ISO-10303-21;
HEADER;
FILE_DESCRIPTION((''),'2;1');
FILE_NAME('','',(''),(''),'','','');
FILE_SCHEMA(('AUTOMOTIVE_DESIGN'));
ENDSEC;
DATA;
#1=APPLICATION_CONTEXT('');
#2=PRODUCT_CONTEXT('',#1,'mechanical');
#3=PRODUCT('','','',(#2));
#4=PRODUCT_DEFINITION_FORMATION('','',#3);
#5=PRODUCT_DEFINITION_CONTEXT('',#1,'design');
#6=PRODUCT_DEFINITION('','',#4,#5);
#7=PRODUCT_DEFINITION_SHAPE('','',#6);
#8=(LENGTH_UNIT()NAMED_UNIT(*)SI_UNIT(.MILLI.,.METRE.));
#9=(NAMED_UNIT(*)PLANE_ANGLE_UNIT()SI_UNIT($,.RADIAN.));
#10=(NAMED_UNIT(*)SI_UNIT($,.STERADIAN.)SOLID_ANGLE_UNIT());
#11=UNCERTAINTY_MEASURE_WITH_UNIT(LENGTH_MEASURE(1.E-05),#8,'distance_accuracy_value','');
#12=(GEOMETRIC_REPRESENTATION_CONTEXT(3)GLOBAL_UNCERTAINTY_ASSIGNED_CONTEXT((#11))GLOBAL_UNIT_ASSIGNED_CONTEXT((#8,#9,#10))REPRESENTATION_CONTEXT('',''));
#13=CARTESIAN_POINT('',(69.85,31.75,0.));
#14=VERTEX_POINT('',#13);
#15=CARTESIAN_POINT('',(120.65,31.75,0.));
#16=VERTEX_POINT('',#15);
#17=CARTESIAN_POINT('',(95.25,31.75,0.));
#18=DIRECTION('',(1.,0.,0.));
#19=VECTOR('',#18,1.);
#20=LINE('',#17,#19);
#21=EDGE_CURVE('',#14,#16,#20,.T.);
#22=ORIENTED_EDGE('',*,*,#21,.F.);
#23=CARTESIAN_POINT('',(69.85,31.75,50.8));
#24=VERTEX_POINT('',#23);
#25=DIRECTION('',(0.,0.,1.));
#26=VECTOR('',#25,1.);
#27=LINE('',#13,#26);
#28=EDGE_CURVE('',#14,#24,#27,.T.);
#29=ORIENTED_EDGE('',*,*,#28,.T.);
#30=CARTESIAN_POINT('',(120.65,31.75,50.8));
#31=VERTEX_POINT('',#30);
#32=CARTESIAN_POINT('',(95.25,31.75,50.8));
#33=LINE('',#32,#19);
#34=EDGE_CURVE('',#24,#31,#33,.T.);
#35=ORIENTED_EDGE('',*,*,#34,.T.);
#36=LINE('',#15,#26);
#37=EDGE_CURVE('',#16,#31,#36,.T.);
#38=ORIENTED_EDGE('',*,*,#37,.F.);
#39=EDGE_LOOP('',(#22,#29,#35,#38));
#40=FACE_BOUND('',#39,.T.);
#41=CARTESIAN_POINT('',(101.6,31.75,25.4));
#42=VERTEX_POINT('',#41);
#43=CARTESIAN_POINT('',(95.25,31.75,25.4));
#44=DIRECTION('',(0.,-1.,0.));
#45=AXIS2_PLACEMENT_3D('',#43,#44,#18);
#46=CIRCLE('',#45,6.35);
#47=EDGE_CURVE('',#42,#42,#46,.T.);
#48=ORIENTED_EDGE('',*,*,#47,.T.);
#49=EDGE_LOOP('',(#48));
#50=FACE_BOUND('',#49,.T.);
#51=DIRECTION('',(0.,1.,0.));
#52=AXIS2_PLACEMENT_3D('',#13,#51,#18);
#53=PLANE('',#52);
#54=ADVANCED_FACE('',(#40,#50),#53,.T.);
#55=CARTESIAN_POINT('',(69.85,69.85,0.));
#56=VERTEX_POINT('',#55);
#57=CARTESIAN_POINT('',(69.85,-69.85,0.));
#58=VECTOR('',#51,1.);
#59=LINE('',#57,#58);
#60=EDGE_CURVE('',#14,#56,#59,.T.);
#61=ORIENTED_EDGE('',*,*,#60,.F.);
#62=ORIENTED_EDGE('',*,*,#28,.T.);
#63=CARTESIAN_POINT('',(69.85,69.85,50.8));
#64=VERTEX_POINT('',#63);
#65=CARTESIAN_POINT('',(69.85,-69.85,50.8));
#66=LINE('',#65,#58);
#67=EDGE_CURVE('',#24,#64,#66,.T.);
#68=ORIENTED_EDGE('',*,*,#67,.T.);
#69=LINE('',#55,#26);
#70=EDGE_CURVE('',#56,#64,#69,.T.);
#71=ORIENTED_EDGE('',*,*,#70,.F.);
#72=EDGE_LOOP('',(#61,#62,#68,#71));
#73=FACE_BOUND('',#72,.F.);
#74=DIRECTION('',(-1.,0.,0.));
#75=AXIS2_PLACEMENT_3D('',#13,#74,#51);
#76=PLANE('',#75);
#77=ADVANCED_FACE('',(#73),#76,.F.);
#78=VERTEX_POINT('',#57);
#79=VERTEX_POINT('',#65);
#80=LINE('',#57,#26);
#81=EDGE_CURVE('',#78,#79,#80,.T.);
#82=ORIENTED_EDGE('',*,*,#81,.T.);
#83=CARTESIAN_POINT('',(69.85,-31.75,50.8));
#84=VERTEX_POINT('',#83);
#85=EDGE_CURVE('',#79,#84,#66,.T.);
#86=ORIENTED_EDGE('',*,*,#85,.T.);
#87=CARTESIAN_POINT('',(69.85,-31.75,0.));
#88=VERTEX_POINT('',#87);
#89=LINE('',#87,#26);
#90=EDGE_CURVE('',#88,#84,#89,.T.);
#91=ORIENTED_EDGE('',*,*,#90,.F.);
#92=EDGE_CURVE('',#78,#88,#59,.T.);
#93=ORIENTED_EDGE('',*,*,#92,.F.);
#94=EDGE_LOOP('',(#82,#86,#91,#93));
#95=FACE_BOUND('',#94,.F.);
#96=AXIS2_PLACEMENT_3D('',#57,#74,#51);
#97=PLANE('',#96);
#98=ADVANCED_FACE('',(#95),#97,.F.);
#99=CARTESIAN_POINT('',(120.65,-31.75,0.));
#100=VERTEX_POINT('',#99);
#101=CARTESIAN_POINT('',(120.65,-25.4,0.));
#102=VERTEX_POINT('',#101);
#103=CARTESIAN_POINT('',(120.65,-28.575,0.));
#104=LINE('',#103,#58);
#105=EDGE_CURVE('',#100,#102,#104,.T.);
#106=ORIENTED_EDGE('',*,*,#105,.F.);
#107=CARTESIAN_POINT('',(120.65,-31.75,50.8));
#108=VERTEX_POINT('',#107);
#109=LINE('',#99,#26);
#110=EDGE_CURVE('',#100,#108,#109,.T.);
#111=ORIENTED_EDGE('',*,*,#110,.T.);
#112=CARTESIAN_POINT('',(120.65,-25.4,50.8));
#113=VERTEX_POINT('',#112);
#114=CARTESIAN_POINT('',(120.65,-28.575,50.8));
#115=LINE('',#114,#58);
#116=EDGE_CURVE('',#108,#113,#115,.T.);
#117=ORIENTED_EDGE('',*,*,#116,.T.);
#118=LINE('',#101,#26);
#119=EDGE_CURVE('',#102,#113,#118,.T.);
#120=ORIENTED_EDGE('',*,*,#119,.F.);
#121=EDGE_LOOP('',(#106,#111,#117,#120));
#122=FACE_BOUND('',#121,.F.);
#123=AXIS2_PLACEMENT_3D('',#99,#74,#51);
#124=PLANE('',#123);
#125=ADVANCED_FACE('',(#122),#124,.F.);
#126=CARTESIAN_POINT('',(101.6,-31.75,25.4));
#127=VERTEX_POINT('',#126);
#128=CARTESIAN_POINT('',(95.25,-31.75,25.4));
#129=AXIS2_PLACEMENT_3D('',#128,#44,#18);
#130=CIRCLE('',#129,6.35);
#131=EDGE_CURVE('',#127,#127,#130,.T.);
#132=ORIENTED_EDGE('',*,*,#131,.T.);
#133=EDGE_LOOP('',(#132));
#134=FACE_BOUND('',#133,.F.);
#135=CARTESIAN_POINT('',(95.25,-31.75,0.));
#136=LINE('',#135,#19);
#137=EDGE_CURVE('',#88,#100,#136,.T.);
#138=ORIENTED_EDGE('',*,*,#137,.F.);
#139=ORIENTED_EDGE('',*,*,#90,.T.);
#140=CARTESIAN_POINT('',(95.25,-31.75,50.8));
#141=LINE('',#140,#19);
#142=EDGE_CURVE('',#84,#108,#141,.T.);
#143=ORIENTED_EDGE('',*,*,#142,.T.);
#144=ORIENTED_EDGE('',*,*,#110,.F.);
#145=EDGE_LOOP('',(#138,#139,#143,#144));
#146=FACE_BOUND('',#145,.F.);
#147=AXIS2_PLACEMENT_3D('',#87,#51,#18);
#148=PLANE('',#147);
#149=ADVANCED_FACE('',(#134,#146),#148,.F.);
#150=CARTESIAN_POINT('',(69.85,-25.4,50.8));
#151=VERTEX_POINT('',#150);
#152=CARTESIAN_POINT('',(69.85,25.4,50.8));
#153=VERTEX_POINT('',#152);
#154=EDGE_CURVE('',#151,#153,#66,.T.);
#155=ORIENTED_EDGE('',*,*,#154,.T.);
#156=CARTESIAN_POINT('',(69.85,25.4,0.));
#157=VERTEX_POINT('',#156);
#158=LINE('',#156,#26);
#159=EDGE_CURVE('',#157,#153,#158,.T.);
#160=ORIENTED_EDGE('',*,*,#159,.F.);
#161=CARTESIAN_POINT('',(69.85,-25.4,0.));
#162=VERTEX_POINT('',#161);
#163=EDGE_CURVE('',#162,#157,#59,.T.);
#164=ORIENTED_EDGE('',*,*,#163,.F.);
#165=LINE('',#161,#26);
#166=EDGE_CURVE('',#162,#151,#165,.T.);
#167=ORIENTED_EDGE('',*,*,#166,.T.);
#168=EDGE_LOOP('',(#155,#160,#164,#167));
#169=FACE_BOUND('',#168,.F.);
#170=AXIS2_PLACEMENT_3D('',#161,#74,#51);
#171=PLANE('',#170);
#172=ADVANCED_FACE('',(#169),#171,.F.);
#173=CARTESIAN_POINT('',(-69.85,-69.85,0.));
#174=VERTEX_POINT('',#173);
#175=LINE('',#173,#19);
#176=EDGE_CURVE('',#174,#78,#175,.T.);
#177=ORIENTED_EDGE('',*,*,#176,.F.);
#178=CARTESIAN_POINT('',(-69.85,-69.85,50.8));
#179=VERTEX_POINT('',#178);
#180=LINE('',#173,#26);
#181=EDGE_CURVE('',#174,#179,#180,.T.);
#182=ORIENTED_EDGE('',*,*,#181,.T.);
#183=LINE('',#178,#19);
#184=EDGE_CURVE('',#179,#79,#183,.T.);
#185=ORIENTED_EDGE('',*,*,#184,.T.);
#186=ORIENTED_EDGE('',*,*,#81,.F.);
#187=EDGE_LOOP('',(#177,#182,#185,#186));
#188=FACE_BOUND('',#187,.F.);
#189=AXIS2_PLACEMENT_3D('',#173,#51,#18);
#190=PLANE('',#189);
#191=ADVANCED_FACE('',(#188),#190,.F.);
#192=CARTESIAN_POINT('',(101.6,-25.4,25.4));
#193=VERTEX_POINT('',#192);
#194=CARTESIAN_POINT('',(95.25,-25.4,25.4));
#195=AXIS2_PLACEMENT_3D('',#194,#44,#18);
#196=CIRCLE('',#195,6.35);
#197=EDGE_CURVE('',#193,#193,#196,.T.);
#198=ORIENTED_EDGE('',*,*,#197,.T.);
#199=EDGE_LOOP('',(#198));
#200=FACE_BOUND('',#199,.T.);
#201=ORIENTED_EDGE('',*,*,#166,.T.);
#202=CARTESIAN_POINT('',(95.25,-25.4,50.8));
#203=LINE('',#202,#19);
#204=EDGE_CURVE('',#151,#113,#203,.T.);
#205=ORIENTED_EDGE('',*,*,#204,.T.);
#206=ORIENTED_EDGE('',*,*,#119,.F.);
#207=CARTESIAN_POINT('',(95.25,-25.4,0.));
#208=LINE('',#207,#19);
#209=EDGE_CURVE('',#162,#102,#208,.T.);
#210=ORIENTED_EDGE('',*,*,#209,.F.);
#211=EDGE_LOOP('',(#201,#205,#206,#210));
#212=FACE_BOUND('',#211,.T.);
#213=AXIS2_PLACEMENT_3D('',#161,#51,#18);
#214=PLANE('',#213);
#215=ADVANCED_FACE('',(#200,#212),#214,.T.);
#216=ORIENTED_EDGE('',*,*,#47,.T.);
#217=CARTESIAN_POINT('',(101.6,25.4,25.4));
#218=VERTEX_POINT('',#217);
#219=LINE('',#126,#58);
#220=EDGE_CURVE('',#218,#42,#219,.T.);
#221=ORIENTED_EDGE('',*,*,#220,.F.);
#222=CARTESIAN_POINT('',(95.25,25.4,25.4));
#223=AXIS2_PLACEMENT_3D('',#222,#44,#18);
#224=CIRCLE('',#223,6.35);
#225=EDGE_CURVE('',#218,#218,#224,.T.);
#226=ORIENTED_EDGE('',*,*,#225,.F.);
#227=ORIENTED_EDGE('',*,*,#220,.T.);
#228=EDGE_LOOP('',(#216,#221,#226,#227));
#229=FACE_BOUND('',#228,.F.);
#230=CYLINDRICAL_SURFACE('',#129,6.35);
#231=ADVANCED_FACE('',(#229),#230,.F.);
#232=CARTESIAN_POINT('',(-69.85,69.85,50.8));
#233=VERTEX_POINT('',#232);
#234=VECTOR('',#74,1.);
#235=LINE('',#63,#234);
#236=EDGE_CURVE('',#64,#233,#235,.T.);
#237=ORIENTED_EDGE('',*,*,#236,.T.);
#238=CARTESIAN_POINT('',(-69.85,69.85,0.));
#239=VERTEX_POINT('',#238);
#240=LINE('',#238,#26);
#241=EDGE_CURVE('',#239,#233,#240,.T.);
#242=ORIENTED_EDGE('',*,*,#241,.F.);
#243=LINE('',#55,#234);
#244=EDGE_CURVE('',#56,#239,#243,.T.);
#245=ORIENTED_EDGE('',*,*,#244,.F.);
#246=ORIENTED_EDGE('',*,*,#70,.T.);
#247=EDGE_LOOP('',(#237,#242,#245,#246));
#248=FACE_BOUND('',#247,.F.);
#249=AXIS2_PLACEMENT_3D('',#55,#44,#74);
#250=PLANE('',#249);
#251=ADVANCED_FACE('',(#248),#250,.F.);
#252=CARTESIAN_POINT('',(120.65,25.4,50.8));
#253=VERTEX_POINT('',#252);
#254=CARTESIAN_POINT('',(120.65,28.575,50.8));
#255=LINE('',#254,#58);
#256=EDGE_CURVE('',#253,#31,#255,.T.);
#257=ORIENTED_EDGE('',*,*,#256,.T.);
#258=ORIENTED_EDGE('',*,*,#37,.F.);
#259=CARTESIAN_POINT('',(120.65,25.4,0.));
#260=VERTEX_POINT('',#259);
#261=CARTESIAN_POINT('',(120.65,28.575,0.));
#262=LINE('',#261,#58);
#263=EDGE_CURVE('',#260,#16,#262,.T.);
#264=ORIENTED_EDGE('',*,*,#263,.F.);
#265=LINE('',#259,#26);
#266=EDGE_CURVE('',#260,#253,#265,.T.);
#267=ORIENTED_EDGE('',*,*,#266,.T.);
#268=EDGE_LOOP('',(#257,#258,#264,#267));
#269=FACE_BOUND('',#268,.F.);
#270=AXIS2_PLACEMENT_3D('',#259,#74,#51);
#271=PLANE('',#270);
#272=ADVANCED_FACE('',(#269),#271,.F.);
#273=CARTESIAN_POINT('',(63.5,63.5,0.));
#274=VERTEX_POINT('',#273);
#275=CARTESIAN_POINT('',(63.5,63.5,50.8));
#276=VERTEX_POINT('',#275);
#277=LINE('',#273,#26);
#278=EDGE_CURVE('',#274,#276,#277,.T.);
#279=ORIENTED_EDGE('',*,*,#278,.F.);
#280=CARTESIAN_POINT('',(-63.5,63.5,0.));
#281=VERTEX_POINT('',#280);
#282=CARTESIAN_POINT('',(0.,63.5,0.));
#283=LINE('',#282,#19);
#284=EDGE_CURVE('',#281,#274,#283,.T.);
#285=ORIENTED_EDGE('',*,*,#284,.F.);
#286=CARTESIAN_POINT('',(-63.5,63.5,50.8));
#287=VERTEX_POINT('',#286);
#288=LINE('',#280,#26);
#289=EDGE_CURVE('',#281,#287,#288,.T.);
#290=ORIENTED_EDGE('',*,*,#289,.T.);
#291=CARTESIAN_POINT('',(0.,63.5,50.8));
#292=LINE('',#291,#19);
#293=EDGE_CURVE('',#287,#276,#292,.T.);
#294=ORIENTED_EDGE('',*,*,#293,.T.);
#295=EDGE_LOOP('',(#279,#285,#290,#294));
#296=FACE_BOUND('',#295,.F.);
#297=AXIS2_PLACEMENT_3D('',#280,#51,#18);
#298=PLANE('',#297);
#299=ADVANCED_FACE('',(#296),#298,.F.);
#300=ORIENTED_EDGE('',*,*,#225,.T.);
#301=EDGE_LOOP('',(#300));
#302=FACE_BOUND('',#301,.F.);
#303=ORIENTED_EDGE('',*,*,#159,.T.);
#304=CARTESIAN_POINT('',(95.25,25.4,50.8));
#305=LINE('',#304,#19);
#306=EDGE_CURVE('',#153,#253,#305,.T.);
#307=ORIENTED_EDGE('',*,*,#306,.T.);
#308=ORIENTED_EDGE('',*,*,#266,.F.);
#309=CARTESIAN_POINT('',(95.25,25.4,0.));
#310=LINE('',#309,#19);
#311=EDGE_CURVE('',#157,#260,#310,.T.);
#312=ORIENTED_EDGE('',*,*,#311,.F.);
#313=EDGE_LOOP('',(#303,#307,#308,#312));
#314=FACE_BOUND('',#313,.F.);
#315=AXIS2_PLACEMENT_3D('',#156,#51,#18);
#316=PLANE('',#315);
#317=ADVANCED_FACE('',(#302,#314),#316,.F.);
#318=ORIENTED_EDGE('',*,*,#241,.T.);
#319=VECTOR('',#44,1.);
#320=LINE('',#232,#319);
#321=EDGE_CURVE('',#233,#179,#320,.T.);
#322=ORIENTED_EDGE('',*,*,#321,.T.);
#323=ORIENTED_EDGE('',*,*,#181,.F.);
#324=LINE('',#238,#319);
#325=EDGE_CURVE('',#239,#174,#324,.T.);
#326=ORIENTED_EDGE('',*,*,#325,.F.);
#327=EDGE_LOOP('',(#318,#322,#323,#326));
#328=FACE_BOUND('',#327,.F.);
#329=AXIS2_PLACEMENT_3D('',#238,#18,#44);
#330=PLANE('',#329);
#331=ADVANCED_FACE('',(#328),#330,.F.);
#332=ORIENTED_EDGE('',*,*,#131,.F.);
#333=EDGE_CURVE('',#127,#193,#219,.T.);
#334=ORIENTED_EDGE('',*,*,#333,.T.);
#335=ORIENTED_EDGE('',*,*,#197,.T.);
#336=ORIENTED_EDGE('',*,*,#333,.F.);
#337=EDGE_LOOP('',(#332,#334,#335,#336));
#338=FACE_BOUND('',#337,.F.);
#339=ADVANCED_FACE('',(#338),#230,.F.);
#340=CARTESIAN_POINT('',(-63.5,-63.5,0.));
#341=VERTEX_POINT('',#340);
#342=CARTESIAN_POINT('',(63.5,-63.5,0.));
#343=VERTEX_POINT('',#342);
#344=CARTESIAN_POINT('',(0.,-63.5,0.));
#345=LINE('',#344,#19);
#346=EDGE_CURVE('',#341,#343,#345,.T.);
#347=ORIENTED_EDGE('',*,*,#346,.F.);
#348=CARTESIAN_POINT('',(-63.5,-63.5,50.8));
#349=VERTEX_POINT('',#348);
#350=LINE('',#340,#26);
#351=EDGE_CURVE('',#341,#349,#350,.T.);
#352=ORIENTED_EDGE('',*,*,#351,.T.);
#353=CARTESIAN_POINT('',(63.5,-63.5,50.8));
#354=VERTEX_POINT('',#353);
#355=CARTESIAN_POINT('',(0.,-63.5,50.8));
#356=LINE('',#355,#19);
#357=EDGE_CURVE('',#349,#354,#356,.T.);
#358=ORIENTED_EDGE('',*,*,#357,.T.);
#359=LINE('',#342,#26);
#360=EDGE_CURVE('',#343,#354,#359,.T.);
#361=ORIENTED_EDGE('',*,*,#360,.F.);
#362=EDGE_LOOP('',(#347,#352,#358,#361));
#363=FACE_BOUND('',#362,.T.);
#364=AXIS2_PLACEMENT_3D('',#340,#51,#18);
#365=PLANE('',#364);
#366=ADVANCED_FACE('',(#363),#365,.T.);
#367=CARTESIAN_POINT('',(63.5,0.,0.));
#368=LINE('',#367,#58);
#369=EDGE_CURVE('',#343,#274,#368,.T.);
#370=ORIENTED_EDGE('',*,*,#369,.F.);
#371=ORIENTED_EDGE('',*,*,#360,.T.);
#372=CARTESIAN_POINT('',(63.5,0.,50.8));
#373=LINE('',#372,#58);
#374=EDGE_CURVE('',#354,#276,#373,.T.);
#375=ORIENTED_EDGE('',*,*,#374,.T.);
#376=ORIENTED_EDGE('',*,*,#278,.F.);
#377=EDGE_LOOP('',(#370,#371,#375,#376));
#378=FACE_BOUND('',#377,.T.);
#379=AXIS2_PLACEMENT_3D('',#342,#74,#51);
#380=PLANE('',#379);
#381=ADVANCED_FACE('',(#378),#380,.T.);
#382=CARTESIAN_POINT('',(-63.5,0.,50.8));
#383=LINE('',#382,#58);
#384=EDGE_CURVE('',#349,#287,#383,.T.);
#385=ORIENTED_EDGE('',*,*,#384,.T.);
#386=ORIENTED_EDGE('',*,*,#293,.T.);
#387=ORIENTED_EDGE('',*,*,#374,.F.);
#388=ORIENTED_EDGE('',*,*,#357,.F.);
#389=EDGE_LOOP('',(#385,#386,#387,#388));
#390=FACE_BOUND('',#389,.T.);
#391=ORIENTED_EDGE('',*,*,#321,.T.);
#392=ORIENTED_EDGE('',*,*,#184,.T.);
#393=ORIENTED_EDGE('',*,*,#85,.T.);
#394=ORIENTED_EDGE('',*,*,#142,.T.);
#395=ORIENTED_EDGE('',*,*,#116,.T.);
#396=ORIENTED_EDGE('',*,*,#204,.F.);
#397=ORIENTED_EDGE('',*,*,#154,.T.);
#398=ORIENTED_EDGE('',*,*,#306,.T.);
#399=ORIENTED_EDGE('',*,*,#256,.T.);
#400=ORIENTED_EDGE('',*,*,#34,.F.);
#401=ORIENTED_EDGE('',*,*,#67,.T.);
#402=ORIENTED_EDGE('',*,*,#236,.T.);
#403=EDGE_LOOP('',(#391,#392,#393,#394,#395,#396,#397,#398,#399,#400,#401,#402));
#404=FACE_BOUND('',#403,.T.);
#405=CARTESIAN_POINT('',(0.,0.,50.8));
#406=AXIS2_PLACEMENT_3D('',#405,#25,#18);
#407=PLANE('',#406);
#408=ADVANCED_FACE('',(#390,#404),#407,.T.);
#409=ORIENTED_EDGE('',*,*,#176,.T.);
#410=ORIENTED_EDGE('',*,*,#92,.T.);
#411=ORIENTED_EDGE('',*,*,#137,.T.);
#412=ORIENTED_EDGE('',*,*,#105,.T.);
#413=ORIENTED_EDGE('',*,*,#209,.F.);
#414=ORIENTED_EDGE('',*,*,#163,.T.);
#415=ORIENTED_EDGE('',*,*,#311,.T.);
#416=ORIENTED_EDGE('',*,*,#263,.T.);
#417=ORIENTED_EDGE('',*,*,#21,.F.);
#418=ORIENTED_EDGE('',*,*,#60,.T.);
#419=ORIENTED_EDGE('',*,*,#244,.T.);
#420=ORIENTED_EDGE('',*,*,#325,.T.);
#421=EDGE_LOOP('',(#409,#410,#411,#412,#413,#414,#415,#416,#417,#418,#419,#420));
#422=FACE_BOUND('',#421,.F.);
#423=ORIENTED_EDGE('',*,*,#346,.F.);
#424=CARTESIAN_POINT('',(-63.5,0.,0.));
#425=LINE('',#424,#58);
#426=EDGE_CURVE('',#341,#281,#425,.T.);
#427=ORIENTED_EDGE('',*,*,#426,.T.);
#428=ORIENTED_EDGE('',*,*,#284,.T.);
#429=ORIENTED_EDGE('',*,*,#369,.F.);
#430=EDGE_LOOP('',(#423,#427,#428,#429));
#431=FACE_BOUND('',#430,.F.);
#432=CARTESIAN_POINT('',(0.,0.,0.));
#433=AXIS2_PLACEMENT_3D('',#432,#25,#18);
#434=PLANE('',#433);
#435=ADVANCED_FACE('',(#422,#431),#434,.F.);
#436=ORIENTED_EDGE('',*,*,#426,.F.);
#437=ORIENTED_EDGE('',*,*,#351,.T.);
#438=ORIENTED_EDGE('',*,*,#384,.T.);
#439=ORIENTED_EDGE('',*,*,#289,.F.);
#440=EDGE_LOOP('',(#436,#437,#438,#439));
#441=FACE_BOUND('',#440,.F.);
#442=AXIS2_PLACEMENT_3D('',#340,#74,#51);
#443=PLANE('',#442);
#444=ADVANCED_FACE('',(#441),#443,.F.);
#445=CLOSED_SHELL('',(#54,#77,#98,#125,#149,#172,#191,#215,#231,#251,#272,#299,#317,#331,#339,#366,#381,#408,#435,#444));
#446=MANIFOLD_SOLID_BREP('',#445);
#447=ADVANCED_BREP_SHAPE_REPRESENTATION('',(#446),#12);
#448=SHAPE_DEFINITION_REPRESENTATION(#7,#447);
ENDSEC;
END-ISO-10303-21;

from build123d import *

# Parameters (mm, degrees)
F0_W     = 127
F0_H     = 127
F0_W_2   = 50.8
F0_H_2   = 6.35
F1_DEPTH = 50.8
F2_R     = 6.35
F3_DEPTH = 101.601


with BuildPart() as f1:
    # F0 (on Top) → F1 (new body)
    with BuildSketch(Plane.XY):
        Polygon((-69.85, -69.85), (69.85, -69.85), (69.85, -31.75), (69.85, -25.4), (69.85, 25.4), (69.85, 31.75), (69.85, 69.85), (-69.85, 69.85), align=None)
        Rectangle(F0_W, F0_H, mode=Mode.SUBTRACT)
        with Locations((95.25, -28.575)):
            Rectangle(F0_W_2, F0_H_2)
        with Locations((95.25, 28.575)):
            Rectangle(F0_W_2, F0_H_2)
    extrude(amount=F1_DEPTH)

    # F2 (on face) → F3 (cut, through all)
    with BuildSketch(Plane.XZ.offset(31.75)):
        with Locations((95.25, 25.4)):
            Circle(F2_R)
    extrude(amount=-F3_DEPTH, mode=Mode.SUBTRACT)


solid = f1.part
